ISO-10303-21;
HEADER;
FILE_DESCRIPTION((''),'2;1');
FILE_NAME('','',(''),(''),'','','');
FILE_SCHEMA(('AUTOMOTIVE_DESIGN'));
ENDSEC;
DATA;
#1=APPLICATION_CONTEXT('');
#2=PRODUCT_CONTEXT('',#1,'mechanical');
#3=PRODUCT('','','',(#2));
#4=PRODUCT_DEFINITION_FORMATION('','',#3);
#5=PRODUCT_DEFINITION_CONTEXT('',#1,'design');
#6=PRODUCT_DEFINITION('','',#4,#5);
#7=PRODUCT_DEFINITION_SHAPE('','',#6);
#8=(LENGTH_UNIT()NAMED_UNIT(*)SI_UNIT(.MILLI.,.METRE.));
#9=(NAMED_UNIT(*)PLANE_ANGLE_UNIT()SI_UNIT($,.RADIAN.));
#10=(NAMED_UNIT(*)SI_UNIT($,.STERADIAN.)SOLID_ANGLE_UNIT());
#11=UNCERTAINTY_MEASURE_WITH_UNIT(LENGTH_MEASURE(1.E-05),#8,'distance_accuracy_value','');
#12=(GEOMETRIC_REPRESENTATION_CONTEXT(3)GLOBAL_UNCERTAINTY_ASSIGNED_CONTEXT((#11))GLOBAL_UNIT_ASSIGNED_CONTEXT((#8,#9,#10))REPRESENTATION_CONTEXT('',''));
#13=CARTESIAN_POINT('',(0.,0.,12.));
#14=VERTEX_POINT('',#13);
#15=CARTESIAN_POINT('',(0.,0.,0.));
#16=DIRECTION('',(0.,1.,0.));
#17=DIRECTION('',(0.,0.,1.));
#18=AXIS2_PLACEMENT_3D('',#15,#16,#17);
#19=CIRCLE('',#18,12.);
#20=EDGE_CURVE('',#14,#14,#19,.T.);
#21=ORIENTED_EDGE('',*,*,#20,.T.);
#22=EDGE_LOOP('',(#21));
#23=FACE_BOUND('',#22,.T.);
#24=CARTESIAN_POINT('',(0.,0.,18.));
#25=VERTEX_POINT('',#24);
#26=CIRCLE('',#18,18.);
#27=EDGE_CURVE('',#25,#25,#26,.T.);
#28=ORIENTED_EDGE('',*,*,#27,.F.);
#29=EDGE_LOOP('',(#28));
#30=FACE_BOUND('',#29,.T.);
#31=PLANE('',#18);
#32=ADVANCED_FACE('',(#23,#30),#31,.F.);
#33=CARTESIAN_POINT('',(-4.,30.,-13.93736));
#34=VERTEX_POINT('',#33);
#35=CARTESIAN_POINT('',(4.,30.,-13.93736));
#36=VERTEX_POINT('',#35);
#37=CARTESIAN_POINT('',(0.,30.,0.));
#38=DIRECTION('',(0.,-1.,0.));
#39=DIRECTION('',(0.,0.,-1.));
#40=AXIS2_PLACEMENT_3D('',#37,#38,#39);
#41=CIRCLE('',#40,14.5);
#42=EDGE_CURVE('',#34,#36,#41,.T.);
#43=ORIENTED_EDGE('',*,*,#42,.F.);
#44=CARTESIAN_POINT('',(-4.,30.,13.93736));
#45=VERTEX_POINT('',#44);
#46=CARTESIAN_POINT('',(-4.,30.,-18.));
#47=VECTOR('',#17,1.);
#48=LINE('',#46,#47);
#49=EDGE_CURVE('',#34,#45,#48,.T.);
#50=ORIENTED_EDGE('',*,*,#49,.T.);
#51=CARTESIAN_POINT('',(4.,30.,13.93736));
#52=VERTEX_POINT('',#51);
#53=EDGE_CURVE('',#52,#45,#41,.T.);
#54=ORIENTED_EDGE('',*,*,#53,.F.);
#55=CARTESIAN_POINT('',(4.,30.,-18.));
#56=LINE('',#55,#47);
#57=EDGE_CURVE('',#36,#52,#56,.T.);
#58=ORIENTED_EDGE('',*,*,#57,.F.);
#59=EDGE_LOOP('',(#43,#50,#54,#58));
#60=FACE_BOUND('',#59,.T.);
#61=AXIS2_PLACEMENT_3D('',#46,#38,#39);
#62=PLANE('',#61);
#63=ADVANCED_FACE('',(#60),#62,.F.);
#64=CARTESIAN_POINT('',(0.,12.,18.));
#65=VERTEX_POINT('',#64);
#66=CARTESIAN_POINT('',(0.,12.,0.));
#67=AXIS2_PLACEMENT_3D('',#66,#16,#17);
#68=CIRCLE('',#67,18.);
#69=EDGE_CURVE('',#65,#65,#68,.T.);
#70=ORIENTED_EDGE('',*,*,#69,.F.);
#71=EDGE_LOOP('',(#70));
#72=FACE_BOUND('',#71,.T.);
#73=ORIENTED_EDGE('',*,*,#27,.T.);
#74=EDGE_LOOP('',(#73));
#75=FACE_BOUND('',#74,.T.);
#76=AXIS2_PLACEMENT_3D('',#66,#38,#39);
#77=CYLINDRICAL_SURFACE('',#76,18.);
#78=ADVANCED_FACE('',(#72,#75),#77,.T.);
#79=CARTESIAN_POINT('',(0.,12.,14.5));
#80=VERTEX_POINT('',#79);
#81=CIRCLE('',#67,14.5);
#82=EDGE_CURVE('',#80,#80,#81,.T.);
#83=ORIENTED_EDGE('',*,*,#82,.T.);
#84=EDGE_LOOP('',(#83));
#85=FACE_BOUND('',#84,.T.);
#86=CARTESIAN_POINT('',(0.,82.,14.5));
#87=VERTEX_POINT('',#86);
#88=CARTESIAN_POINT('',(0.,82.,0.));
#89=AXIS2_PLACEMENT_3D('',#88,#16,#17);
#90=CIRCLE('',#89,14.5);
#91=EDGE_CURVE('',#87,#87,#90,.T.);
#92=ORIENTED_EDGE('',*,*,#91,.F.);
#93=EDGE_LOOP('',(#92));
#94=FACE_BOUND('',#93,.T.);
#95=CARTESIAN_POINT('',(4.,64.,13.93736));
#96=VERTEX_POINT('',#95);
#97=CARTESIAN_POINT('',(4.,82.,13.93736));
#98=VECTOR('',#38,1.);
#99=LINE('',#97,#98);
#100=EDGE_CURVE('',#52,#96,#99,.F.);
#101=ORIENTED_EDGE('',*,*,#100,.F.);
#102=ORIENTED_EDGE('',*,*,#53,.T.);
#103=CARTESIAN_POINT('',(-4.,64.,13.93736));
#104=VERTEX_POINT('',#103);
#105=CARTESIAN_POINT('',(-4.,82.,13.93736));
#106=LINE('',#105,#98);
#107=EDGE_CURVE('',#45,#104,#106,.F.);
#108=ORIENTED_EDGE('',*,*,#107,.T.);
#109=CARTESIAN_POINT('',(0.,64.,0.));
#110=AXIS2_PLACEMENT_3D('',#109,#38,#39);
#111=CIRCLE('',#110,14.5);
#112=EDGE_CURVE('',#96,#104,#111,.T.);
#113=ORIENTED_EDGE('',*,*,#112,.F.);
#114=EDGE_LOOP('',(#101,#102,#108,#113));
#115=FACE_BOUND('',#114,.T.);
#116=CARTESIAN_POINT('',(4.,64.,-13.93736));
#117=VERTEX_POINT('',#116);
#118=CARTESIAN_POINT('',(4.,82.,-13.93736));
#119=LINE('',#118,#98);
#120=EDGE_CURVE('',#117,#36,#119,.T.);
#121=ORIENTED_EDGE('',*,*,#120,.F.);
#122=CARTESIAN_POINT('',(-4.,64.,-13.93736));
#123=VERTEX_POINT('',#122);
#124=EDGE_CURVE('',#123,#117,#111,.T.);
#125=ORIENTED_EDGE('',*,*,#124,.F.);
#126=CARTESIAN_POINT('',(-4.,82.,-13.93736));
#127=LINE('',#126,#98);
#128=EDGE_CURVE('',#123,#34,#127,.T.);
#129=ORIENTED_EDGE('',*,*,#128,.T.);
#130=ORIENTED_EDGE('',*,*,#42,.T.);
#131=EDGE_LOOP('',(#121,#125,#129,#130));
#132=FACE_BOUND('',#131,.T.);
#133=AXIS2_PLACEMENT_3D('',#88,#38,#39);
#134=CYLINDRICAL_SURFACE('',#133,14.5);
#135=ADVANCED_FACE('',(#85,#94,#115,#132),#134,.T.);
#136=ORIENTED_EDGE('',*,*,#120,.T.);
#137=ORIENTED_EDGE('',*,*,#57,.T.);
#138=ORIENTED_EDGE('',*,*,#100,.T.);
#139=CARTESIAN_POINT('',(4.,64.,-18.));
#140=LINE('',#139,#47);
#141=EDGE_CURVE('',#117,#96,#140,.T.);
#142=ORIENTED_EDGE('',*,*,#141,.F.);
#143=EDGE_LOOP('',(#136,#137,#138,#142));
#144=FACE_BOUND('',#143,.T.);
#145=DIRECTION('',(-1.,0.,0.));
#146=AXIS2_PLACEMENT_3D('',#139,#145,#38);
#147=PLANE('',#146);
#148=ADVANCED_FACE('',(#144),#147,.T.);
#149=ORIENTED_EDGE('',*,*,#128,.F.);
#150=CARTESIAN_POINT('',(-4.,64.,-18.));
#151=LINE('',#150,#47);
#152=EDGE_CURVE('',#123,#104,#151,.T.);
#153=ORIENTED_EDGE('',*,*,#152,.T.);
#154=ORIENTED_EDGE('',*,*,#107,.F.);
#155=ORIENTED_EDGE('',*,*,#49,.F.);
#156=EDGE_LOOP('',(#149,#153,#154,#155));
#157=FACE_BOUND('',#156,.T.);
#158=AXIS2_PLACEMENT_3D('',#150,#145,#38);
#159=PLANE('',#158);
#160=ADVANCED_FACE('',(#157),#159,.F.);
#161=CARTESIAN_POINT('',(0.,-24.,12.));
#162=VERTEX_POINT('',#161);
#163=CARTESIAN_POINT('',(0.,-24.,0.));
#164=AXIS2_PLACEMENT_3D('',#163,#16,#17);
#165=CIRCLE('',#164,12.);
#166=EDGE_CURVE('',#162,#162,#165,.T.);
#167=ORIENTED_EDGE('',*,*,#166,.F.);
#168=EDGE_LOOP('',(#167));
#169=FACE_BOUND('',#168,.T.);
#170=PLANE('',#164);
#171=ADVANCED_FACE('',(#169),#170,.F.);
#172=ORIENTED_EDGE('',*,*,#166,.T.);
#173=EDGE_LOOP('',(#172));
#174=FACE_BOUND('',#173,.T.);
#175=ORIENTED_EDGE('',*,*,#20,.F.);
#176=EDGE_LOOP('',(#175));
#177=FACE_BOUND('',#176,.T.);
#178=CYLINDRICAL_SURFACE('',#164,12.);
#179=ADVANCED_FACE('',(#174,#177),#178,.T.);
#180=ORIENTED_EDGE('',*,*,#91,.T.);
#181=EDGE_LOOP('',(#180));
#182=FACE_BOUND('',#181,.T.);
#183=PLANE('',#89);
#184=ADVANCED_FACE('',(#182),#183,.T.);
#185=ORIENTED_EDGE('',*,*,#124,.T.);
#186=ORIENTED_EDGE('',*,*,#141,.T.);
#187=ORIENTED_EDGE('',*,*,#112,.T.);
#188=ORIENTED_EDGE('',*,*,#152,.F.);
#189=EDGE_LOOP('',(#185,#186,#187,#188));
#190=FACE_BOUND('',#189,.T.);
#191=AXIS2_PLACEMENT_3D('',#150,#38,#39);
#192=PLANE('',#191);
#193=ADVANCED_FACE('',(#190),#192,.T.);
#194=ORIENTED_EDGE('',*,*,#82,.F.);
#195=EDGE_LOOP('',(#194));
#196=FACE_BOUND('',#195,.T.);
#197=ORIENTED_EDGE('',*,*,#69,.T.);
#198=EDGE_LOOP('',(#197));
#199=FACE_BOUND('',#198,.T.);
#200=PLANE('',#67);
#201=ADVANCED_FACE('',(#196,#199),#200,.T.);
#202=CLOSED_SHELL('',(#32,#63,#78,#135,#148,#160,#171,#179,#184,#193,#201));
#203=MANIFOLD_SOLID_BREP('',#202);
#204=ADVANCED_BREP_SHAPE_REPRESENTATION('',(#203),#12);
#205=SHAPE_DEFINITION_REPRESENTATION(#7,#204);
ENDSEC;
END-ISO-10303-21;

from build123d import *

# Parameters (mm, degrees)
SKETCH1_R               = 12
BOSS_EXTRUDE1_DEPTH     = 24
BOSS_EXTRUDE2_START     = 12
SKETCH1_4_R             = 18
SKETCH1_4_R_2           = 14.5
SKETCH1_4_R_3           = 12
BOSS_EXTRUDE2_DEPTH     = 12
BOSS_EXTRUDE4_START     = 12
SKETCH1_8_R             = 14.5
BOSS_EXTRUDE4_DEPTH     = 70
CUT_EXTRUDE1_DEPTH      = 86.860351735
CUT_EXTRUDE1_DEPTH_BACK = 86.860351735
SKETCH2_W               = 8
SKETCH2_H               = 34


with BuildPart() as part:
    # Sketch1 → Boss-Extrude1 (new body)
    with BuildSketch(Plane(origin=(0, 0, 0), x_dir=(1, 0, 0), z_dir=(0, 1, 0))):
        with Locations(Location((0, 0, 0), (0, 0, 270))):
            Circle(SKETCH1_R)
    extrude(amount=-BOSS_EXTRUDE1_DEPTH)

    # Sketch1<4> → Boss-Extrude2 (add)
    # profile 1 of 3: a face of its own
    with BuildSketch(Plane(origin=(0, 0, 0), x_dir=(1, 0, 0), z_dir=(0, 1, 0)).offset(BOSS_EXTRUDE2_START)):
        with Locations(Location((0, 0, 0), (0, 0, 270))):
            Circle(SKETCH1_4_R)
        Circle(SKETCH1_4_R_2, mode=Mode.SUBTRACT)
    # profile 2 of 3: a face of its own
    with BuildSketch(Plane(origin=(0, 0, 0), x_dir=(1, 0, 0), z_dir=(0, 1, 0)).offset(BOSS_EXTRUDE2_START)):
        Circle(SKETCH1_4_R_2)
        with Locations(Location((0, 0, 0), (0, 0, 270))):
            Circle(SKETCH1_4_R_3, mode=Mode.SUBTRACT)
    # profile 3 of 3: a face of its own
    with BuildSketch(Plane(origin=(0, 0, 0), x_dir=(1, 0, 0), z_dir=(0, 1, 0)).offset(BOSS_EXTRUDE2_START)):
        with Locations(Location((0, 0, 0), (0, 0, 270))):
            Circle(SKETCH1_4_R_3)
    extrude(amount=-BOSS_EXTRUDE2_DEPTH)

    # Sketch1<8> → Boss-Extrude4 (add)
    with BuildSketch(Plane(origin=(0, 0, 0), x_dir=(1, 0, 0), z_dir=(0, 1, 0)).offset(BOSS_EXTRUDE4_START)):
        with Locations(Location((0, 0, 0), (0, 0, 270))):
            Circle(SKETCH1_8_R)
    extrude(amount=BOSS_EXTRUDE4_DEPTH)

    # Sketch2 → Cut-Extrude1 (cut, two sides: drawn at the far end of the back side and taken through both)
    with BuildSketch(Plane.XY.offset(-CUT_EXTRUDE1_DEPTH_BACK)):
        with Locations((0, 47)):
            Rectangle(SKETCH2_W, SKETCH2_H)
    extrude(amount=CUT_EXTRUDE1_DEPTH + CUT_EXTRUDE1_DEPTH_BACK, mode=Mode.SUBTRACT)


solid = part.part
